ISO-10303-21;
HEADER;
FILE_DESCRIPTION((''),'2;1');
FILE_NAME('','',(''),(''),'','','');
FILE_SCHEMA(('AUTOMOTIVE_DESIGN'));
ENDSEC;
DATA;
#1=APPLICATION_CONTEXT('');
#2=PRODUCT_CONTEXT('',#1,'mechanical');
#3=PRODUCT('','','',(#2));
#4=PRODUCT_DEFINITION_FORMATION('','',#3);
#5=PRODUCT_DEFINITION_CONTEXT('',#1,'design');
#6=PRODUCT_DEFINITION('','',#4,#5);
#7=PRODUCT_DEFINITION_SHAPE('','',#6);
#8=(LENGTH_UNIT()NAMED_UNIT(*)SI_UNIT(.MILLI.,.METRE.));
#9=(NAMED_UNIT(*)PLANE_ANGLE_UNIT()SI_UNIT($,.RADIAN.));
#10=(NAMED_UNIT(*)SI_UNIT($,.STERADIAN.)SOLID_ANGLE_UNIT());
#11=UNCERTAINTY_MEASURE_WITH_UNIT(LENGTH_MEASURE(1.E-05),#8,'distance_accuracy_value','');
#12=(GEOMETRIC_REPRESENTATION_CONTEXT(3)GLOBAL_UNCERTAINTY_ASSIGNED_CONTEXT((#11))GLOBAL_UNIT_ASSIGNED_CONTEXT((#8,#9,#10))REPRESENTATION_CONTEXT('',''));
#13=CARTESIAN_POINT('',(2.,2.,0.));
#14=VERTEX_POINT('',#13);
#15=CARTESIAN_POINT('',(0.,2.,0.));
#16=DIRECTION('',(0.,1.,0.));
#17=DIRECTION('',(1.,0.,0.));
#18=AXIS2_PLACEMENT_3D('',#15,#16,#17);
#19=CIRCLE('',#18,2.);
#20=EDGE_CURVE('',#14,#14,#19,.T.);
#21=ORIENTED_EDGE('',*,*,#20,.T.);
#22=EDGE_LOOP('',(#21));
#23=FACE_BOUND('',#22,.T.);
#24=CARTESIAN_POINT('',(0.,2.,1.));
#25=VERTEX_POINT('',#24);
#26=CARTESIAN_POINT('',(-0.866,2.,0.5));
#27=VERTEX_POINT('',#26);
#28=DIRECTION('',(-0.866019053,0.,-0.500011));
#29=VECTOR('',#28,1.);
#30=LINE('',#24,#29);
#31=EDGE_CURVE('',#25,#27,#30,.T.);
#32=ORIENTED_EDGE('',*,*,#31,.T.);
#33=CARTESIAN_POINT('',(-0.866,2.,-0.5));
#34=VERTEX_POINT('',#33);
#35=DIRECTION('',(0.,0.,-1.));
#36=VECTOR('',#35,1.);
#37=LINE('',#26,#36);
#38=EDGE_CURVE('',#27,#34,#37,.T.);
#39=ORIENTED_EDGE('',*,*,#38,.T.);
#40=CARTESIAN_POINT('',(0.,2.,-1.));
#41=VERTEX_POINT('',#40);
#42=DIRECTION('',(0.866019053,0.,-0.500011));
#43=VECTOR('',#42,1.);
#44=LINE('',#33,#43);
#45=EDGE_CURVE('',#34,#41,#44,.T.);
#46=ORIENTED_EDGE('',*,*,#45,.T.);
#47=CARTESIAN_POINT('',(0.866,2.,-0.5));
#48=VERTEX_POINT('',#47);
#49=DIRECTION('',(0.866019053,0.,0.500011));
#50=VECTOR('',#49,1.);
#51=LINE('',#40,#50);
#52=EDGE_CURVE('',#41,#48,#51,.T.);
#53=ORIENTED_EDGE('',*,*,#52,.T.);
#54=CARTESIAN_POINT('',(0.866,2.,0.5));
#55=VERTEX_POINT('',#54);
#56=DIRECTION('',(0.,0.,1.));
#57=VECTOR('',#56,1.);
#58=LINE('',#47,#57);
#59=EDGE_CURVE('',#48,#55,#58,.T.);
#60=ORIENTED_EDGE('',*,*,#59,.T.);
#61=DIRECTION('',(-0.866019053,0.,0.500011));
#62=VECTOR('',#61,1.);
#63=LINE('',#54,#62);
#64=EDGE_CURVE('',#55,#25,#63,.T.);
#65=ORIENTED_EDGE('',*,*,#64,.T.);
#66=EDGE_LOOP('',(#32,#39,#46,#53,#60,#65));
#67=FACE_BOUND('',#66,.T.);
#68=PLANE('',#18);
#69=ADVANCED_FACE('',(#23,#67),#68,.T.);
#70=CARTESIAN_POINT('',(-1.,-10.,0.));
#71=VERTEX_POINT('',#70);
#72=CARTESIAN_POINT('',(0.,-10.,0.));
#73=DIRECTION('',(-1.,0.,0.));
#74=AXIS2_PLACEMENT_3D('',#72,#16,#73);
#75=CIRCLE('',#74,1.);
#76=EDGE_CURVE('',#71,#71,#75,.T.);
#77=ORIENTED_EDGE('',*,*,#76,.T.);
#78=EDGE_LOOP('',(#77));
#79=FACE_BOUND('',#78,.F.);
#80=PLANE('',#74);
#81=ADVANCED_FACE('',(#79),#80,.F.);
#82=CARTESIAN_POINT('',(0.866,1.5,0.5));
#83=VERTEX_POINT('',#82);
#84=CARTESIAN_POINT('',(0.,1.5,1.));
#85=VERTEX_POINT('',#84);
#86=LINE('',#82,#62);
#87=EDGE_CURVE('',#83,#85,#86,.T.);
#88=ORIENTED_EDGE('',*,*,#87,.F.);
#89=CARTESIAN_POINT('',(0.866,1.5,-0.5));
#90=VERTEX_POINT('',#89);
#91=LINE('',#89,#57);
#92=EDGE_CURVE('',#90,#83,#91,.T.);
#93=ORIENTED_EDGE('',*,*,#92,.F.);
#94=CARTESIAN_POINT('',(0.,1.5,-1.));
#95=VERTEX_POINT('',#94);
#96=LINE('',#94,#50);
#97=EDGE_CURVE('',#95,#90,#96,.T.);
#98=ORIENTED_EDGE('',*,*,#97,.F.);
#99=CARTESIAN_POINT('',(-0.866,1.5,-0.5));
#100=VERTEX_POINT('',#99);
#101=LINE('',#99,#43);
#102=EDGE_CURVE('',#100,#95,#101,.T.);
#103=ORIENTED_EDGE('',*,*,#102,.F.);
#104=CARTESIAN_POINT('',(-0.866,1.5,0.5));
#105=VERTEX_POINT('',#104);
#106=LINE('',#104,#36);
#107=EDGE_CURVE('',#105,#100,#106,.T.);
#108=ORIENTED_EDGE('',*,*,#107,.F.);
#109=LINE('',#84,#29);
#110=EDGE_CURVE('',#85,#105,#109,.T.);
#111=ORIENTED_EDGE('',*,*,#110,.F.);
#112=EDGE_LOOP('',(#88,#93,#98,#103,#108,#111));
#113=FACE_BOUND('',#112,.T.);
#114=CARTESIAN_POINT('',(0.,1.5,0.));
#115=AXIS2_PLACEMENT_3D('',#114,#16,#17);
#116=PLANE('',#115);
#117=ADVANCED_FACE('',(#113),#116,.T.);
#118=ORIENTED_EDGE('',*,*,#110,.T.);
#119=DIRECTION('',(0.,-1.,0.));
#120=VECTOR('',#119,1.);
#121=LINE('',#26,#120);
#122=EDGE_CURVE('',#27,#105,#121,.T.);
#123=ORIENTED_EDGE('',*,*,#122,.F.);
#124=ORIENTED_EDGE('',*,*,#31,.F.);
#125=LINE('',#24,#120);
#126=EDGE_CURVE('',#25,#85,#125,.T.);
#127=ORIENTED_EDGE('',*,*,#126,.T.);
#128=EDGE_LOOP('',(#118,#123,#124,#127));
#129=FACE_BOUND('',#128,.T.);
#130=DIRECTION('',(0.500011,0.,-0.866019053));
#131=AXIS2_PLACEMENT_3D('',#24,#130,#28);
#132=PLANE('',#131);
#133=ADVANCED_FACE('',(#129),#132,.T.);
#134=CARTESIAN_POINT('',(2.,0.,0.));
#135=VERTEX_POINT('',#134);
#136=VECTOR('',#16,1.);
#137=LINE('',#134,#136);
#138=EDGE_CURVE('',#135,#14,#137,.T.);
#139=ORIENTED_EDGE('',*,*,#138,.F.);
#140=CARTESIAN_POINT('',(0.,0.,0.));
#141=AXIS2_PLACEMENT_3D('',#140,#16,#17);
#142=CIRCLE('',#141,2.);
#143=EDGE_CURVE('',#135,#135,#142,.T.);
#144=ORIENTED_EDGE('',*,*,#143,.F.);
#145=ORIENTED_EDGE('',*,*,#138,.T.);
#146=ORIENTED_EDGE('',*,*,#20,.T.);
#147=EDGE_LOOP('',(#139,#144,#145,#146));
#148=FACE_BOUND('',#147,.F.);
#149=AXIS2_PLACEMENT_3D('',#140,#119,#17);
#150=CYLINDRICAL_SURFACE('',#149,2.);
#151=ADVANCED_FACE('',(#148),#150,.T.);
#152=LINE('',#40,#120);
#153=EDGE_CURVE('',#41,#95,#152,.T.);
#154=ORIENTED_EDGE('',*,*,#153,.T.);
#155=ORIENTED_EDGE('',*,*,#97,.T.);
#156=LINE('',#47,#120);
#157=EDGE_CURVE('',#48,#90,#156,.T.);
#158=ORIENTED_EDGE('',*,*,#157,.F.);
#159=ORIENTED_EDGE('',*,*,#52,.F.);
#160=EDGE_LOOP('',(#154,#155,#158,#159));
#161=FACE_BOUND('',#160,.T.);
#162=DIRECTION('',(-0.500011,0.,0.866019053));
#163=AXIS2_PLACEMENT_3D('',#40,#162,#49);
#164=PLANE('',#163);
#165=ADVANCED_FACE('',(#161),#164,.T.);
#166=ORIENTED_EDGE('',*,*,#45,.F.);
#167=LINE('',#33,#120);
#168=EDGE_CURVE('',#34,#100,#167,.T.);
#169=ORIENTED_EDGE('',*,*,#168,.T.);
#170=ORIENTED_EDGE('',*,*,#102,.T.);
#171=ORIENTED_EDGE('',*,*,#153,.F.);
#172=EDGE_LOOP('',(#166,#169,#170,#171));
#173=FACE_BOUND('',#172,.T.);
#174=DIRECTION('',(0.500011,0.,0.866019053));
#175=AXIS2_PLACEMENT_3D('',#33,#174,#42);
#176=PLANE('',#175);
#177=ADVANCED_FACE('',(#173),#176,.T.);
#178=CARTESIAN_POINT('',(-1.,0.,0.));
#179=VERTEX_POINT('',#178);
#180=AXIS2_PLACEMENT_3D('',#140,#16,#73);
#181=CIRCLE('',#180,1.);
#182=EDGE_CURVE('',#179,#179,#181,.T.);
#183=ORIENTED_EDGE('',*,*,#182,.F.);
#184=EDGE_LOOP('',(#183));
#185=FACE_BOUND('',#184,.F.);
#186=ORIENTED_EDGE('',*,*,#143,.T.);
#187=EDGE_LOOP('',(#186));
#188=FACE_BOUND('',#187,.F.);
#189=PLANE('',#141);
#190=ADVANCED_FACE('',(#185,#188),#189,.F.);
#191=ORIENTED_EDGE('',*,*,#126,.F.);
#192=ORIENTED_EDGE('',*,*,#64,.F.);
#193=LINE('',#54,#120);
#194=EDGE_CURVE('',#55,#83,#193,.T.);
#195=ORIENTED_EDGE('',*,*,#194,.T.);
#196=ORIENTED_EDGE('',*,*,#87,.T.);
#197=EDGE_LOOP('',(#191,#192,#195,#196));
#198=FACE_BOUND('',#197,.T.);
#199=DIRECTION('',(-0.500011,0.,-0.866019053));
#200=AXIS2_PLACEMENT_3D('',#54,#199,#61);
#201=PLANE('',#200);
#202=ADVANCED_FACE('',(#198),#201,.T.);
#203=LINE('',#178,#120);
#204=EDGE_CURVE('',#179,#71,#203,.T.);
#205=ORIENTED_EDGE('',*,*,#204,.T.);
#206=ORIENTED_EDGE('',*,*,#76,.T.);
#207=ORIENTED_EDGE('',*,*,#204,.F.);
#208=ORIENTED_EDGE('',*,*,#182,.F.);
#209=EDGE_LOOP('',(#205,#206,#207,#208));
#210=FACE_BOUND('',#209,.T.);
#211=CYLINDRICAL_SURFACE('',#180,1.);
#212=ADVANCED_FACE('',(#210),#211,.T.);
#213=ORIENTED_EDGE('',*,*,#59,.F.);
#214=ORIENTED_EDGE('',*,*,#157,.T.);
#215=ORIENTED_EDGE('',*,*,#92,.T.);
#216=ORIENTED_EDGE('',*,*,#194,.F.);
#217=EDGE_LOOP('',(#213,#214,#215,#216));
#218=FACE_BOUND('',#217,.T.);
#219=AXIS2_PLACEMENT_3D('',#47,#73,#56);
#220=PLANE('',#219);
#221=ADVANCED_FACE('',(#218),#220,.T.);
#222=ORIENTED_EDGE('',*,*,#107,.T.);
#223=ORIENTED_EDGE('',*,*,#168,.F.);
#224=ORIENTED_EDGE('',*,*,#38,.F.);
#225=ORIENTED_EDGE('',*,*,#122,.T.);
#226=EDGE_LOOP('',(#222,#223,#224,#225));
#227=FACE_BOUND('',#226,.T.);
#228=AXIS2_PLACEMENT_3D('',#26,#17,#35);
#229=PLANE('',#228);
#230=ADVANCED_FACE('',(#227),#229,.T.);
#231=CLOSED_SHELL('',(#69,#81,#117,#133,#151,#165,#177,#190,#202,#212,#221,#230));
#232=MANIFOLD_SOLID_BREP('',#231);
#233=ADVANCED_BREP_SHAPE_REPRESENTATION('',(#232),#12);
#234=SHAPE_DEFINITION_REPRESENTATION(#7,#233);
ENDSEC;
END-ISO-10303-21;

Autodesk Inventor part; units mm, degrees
ref_plane "YZ Plane" through (0, 0, 0) normal (1, 0, 0) x (0, 1, 0)
ref_plane "XZ Plane" through (0, 0, 0) normal (0, 1, 0) x (-1, 0, 0)
ref_plane "XY Plane" through (0, 0, 0) normal (0, 0, 1) x (1, 0, 0)
sketch "Sketch1" plane through (0, 0, 0) normal (0, 1, 0) x (-1, 0, 0)
  circle A0 centre (0, 0) radius 2.5
  circle A1 centre (0, 0) radius 1
  dimension "d0" = 5
extrude "Extrusion1" add sketch "Sketch1" against normal blind 10 contours A1
sketch "Sketch2" plane through (0, 0, 0) normal (0, 1, 0) x (1, 0, 0)
  circle A0 centre (0, 0) radius 2
  dimension "d3" = 4
extrude "Extrusion2" add sketch "Sketch2" along normal blind 2
sketch "Sketch3" plane through (0, 2, 0) normal (0, 1, 0) x (1, 0, 0)
  circle A0 centre (0, 0) radius 1 projected
  line L0 (0, 1) -> (0.866, 0.5)
  line L1 (0.866, 0.5) -> (0.866, -0.5)
  line L2 (0.866, -0.5) -> (0, -1)
  line L3 (0, -1) -> (-0.866, -0.5)
  line L4 (-0.866, -0.5) -> (-0.866, 0.5)
  line L5 (-0.866, 0.5) -> (0, 1)
extrude "Extrusion3" cut sketch "Sketch3" against normal blind 0.5 contours L1 L2 L3 L4 L5 L0
properties part number "4mm_screw" material "Stainless Steel"
